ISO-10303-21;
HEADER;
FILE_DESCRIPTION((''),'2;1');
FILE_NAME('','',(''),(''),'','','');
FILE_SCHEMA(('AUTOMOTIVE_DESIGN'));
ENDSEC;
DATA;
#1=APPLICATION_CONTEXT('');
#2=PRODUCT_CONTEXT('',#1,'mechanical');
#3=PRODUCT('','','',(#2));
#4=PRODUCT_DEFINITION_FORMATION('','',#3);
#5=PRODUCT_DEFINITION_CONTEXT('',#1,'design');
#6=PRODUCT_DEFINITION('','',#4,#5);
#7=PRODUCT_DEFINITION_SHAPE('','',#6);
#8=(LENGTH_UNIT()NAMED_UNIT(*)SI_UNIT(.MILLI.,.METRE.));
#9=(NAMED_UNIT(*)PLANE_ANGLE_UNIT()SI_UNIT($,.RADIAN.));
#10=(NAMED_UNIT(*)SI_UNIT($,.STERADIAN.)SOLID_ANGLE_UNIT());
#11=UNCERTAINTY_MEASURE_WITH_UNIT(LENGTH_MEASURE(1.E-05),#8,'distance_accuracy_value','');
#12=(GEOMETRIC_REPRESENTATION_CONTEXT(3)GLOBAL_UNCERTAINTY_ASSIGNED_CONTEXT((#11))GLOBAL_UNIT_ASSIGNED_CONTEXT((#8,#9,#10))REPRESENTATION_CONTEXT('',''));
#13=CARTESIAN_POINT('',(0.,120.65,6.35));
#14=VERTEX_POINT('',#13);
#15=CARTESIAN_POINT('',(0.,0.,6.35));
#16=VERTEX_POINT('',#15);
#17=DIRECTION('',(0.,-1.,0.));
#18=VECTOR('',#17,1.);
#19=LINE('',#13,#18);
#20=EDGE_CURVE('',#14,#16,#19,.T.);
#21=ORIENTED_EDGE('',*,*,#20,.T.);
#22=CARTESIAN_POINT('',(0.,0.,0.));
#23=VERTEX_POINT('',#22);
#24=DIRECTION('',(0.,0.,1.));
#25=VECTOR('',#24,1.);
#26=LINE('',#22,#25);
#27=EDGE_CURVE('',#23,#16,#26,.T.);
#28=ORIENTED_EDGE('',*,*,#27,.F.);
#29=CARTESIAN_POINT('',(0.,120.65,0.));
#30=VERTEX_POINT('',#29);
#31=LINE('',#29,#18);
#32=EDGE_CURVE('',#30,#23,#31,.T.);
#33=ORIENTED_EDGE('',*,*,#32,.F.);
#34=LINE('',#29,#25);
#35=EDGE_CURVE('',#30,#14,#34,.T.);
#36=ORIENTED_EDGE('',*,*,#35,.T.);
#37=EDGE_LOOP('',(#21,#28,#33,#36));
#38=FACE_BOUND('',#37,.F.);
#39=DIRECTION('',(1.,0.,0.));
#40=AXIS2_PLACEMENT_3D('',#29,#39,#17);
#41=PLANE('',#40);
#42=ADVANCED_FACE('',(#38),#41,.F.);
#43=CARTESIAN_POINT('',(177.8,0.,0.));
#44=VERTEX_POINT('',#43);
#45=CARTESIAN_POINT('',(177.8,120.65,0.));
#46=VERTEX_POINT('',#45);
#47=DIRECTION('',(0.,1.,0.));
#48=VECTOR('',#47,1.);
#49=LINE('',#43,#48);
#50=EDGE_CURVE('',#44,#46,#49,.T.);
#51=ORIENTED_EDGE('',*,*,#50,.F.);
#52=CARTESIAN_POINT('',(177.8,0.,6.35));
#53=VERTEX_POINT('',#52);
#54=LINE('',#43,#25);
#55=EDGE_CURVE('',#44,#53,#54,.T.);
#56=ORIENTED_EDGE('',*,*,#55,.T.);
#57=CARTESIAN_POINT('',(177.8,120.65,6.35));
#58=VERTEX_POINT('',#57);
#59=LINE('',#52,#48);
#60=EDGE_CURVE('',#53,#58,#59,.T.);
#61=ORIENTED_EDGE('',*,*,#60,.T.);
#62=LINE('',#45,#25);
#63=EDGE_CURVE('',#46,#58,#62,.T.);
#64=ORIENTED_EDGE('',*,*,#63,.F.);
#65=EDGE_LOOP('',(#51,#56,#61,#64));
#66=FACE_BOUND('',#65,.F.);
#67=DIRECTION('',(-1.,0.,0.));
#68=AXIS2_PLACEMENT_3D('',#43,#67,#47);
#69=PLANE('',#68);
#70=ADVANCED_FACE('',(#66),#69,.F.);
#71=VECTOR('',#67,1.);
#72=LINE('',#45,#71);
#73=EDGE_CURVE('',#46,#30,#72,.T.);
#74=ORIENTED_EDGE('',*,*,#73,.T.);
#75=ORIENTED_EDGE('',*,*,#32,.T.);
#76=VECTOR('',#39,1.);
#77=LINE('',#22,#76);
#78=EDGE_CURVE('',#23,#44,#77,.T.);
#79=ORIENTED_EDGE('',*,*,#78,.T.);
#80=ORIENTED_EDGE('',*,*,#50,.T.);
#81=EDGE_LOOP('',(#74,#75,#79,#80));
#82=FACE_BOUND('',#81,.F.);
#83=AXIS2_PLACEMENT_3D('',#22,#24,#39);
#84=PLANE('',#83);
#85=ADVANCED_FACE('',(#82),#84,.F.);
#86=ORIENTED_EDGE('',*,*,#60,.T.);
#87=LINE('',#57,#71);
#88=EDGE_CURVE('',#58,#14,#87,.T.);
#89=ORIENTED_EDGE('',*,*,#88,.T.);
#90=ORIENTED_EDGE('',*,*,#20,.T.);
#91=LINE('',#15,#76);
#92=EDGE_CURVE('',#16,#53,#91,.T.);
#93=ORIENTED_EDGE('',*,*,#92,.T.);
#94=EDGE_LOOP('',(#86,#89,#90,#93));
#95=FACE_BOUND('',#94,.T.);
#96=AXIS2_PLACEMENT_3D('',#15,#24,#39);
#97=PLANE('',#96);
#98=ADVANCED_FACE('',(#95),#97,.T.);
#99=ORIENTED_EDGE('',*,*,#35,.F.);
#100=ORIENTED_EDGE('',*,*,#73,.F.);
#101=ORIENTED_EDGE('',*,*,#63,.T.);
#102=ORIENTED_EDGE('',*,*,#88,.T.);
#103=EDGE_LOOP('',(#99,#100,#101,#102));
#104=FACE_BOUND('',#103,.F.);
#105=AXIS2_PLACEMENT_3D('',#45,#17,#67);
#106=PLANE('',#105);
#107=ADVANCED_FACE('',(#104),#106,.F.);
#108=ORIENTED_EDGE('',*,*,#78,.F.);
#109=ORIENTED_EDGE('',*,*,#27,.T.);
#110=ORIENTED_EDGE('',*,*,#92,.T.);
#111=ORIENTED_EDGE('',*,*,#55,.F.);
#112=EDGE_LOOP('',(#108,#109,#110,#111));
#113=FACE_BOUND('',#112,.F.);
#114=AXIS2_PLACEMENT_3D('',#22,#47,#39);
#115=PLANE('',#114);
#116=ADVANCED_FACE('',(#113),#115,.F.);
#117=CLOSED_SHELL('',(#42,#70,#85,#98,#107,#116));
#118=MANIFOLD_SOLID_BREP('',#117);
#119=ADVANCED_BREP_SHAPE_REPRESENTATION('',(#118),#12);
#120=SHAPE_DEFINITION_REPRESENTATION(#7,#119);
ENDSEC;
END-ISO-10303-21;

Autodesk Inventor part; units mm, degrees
ref_plane "YZ Plane" through (0, 0, 0) normal (1, 0, 0) x (0, 1, 0)
ref_plane "XZ Plane" through (0, 0, 0) normal (0, 1, 0) x (-1, 0, 0)
ref_plane "XY Plane" through (0, 0, 0) normal (0, 0, 1) x (1, 0, 0)
sketch "Sketch1" plane through (0, 0, 0) normal (0, 0, 1) x (1, 0, 0)
  line L0 (0, 0) -> (177.8, 0)
  line L1 (177.8, 0) -> (177.8, 120.65)
  line L2 (177.8, 120.65) -> (0, 120.65)
  line L3 (0, 120.65) -> (0, 0)
  dimension "d0" = 177.8
  dimension "d1" = 120.65
extrude "Extrusion1" add sketch "Sketch1" along normal blind 6.35
properties part number "wall 1" material "Aluminum 6061"
